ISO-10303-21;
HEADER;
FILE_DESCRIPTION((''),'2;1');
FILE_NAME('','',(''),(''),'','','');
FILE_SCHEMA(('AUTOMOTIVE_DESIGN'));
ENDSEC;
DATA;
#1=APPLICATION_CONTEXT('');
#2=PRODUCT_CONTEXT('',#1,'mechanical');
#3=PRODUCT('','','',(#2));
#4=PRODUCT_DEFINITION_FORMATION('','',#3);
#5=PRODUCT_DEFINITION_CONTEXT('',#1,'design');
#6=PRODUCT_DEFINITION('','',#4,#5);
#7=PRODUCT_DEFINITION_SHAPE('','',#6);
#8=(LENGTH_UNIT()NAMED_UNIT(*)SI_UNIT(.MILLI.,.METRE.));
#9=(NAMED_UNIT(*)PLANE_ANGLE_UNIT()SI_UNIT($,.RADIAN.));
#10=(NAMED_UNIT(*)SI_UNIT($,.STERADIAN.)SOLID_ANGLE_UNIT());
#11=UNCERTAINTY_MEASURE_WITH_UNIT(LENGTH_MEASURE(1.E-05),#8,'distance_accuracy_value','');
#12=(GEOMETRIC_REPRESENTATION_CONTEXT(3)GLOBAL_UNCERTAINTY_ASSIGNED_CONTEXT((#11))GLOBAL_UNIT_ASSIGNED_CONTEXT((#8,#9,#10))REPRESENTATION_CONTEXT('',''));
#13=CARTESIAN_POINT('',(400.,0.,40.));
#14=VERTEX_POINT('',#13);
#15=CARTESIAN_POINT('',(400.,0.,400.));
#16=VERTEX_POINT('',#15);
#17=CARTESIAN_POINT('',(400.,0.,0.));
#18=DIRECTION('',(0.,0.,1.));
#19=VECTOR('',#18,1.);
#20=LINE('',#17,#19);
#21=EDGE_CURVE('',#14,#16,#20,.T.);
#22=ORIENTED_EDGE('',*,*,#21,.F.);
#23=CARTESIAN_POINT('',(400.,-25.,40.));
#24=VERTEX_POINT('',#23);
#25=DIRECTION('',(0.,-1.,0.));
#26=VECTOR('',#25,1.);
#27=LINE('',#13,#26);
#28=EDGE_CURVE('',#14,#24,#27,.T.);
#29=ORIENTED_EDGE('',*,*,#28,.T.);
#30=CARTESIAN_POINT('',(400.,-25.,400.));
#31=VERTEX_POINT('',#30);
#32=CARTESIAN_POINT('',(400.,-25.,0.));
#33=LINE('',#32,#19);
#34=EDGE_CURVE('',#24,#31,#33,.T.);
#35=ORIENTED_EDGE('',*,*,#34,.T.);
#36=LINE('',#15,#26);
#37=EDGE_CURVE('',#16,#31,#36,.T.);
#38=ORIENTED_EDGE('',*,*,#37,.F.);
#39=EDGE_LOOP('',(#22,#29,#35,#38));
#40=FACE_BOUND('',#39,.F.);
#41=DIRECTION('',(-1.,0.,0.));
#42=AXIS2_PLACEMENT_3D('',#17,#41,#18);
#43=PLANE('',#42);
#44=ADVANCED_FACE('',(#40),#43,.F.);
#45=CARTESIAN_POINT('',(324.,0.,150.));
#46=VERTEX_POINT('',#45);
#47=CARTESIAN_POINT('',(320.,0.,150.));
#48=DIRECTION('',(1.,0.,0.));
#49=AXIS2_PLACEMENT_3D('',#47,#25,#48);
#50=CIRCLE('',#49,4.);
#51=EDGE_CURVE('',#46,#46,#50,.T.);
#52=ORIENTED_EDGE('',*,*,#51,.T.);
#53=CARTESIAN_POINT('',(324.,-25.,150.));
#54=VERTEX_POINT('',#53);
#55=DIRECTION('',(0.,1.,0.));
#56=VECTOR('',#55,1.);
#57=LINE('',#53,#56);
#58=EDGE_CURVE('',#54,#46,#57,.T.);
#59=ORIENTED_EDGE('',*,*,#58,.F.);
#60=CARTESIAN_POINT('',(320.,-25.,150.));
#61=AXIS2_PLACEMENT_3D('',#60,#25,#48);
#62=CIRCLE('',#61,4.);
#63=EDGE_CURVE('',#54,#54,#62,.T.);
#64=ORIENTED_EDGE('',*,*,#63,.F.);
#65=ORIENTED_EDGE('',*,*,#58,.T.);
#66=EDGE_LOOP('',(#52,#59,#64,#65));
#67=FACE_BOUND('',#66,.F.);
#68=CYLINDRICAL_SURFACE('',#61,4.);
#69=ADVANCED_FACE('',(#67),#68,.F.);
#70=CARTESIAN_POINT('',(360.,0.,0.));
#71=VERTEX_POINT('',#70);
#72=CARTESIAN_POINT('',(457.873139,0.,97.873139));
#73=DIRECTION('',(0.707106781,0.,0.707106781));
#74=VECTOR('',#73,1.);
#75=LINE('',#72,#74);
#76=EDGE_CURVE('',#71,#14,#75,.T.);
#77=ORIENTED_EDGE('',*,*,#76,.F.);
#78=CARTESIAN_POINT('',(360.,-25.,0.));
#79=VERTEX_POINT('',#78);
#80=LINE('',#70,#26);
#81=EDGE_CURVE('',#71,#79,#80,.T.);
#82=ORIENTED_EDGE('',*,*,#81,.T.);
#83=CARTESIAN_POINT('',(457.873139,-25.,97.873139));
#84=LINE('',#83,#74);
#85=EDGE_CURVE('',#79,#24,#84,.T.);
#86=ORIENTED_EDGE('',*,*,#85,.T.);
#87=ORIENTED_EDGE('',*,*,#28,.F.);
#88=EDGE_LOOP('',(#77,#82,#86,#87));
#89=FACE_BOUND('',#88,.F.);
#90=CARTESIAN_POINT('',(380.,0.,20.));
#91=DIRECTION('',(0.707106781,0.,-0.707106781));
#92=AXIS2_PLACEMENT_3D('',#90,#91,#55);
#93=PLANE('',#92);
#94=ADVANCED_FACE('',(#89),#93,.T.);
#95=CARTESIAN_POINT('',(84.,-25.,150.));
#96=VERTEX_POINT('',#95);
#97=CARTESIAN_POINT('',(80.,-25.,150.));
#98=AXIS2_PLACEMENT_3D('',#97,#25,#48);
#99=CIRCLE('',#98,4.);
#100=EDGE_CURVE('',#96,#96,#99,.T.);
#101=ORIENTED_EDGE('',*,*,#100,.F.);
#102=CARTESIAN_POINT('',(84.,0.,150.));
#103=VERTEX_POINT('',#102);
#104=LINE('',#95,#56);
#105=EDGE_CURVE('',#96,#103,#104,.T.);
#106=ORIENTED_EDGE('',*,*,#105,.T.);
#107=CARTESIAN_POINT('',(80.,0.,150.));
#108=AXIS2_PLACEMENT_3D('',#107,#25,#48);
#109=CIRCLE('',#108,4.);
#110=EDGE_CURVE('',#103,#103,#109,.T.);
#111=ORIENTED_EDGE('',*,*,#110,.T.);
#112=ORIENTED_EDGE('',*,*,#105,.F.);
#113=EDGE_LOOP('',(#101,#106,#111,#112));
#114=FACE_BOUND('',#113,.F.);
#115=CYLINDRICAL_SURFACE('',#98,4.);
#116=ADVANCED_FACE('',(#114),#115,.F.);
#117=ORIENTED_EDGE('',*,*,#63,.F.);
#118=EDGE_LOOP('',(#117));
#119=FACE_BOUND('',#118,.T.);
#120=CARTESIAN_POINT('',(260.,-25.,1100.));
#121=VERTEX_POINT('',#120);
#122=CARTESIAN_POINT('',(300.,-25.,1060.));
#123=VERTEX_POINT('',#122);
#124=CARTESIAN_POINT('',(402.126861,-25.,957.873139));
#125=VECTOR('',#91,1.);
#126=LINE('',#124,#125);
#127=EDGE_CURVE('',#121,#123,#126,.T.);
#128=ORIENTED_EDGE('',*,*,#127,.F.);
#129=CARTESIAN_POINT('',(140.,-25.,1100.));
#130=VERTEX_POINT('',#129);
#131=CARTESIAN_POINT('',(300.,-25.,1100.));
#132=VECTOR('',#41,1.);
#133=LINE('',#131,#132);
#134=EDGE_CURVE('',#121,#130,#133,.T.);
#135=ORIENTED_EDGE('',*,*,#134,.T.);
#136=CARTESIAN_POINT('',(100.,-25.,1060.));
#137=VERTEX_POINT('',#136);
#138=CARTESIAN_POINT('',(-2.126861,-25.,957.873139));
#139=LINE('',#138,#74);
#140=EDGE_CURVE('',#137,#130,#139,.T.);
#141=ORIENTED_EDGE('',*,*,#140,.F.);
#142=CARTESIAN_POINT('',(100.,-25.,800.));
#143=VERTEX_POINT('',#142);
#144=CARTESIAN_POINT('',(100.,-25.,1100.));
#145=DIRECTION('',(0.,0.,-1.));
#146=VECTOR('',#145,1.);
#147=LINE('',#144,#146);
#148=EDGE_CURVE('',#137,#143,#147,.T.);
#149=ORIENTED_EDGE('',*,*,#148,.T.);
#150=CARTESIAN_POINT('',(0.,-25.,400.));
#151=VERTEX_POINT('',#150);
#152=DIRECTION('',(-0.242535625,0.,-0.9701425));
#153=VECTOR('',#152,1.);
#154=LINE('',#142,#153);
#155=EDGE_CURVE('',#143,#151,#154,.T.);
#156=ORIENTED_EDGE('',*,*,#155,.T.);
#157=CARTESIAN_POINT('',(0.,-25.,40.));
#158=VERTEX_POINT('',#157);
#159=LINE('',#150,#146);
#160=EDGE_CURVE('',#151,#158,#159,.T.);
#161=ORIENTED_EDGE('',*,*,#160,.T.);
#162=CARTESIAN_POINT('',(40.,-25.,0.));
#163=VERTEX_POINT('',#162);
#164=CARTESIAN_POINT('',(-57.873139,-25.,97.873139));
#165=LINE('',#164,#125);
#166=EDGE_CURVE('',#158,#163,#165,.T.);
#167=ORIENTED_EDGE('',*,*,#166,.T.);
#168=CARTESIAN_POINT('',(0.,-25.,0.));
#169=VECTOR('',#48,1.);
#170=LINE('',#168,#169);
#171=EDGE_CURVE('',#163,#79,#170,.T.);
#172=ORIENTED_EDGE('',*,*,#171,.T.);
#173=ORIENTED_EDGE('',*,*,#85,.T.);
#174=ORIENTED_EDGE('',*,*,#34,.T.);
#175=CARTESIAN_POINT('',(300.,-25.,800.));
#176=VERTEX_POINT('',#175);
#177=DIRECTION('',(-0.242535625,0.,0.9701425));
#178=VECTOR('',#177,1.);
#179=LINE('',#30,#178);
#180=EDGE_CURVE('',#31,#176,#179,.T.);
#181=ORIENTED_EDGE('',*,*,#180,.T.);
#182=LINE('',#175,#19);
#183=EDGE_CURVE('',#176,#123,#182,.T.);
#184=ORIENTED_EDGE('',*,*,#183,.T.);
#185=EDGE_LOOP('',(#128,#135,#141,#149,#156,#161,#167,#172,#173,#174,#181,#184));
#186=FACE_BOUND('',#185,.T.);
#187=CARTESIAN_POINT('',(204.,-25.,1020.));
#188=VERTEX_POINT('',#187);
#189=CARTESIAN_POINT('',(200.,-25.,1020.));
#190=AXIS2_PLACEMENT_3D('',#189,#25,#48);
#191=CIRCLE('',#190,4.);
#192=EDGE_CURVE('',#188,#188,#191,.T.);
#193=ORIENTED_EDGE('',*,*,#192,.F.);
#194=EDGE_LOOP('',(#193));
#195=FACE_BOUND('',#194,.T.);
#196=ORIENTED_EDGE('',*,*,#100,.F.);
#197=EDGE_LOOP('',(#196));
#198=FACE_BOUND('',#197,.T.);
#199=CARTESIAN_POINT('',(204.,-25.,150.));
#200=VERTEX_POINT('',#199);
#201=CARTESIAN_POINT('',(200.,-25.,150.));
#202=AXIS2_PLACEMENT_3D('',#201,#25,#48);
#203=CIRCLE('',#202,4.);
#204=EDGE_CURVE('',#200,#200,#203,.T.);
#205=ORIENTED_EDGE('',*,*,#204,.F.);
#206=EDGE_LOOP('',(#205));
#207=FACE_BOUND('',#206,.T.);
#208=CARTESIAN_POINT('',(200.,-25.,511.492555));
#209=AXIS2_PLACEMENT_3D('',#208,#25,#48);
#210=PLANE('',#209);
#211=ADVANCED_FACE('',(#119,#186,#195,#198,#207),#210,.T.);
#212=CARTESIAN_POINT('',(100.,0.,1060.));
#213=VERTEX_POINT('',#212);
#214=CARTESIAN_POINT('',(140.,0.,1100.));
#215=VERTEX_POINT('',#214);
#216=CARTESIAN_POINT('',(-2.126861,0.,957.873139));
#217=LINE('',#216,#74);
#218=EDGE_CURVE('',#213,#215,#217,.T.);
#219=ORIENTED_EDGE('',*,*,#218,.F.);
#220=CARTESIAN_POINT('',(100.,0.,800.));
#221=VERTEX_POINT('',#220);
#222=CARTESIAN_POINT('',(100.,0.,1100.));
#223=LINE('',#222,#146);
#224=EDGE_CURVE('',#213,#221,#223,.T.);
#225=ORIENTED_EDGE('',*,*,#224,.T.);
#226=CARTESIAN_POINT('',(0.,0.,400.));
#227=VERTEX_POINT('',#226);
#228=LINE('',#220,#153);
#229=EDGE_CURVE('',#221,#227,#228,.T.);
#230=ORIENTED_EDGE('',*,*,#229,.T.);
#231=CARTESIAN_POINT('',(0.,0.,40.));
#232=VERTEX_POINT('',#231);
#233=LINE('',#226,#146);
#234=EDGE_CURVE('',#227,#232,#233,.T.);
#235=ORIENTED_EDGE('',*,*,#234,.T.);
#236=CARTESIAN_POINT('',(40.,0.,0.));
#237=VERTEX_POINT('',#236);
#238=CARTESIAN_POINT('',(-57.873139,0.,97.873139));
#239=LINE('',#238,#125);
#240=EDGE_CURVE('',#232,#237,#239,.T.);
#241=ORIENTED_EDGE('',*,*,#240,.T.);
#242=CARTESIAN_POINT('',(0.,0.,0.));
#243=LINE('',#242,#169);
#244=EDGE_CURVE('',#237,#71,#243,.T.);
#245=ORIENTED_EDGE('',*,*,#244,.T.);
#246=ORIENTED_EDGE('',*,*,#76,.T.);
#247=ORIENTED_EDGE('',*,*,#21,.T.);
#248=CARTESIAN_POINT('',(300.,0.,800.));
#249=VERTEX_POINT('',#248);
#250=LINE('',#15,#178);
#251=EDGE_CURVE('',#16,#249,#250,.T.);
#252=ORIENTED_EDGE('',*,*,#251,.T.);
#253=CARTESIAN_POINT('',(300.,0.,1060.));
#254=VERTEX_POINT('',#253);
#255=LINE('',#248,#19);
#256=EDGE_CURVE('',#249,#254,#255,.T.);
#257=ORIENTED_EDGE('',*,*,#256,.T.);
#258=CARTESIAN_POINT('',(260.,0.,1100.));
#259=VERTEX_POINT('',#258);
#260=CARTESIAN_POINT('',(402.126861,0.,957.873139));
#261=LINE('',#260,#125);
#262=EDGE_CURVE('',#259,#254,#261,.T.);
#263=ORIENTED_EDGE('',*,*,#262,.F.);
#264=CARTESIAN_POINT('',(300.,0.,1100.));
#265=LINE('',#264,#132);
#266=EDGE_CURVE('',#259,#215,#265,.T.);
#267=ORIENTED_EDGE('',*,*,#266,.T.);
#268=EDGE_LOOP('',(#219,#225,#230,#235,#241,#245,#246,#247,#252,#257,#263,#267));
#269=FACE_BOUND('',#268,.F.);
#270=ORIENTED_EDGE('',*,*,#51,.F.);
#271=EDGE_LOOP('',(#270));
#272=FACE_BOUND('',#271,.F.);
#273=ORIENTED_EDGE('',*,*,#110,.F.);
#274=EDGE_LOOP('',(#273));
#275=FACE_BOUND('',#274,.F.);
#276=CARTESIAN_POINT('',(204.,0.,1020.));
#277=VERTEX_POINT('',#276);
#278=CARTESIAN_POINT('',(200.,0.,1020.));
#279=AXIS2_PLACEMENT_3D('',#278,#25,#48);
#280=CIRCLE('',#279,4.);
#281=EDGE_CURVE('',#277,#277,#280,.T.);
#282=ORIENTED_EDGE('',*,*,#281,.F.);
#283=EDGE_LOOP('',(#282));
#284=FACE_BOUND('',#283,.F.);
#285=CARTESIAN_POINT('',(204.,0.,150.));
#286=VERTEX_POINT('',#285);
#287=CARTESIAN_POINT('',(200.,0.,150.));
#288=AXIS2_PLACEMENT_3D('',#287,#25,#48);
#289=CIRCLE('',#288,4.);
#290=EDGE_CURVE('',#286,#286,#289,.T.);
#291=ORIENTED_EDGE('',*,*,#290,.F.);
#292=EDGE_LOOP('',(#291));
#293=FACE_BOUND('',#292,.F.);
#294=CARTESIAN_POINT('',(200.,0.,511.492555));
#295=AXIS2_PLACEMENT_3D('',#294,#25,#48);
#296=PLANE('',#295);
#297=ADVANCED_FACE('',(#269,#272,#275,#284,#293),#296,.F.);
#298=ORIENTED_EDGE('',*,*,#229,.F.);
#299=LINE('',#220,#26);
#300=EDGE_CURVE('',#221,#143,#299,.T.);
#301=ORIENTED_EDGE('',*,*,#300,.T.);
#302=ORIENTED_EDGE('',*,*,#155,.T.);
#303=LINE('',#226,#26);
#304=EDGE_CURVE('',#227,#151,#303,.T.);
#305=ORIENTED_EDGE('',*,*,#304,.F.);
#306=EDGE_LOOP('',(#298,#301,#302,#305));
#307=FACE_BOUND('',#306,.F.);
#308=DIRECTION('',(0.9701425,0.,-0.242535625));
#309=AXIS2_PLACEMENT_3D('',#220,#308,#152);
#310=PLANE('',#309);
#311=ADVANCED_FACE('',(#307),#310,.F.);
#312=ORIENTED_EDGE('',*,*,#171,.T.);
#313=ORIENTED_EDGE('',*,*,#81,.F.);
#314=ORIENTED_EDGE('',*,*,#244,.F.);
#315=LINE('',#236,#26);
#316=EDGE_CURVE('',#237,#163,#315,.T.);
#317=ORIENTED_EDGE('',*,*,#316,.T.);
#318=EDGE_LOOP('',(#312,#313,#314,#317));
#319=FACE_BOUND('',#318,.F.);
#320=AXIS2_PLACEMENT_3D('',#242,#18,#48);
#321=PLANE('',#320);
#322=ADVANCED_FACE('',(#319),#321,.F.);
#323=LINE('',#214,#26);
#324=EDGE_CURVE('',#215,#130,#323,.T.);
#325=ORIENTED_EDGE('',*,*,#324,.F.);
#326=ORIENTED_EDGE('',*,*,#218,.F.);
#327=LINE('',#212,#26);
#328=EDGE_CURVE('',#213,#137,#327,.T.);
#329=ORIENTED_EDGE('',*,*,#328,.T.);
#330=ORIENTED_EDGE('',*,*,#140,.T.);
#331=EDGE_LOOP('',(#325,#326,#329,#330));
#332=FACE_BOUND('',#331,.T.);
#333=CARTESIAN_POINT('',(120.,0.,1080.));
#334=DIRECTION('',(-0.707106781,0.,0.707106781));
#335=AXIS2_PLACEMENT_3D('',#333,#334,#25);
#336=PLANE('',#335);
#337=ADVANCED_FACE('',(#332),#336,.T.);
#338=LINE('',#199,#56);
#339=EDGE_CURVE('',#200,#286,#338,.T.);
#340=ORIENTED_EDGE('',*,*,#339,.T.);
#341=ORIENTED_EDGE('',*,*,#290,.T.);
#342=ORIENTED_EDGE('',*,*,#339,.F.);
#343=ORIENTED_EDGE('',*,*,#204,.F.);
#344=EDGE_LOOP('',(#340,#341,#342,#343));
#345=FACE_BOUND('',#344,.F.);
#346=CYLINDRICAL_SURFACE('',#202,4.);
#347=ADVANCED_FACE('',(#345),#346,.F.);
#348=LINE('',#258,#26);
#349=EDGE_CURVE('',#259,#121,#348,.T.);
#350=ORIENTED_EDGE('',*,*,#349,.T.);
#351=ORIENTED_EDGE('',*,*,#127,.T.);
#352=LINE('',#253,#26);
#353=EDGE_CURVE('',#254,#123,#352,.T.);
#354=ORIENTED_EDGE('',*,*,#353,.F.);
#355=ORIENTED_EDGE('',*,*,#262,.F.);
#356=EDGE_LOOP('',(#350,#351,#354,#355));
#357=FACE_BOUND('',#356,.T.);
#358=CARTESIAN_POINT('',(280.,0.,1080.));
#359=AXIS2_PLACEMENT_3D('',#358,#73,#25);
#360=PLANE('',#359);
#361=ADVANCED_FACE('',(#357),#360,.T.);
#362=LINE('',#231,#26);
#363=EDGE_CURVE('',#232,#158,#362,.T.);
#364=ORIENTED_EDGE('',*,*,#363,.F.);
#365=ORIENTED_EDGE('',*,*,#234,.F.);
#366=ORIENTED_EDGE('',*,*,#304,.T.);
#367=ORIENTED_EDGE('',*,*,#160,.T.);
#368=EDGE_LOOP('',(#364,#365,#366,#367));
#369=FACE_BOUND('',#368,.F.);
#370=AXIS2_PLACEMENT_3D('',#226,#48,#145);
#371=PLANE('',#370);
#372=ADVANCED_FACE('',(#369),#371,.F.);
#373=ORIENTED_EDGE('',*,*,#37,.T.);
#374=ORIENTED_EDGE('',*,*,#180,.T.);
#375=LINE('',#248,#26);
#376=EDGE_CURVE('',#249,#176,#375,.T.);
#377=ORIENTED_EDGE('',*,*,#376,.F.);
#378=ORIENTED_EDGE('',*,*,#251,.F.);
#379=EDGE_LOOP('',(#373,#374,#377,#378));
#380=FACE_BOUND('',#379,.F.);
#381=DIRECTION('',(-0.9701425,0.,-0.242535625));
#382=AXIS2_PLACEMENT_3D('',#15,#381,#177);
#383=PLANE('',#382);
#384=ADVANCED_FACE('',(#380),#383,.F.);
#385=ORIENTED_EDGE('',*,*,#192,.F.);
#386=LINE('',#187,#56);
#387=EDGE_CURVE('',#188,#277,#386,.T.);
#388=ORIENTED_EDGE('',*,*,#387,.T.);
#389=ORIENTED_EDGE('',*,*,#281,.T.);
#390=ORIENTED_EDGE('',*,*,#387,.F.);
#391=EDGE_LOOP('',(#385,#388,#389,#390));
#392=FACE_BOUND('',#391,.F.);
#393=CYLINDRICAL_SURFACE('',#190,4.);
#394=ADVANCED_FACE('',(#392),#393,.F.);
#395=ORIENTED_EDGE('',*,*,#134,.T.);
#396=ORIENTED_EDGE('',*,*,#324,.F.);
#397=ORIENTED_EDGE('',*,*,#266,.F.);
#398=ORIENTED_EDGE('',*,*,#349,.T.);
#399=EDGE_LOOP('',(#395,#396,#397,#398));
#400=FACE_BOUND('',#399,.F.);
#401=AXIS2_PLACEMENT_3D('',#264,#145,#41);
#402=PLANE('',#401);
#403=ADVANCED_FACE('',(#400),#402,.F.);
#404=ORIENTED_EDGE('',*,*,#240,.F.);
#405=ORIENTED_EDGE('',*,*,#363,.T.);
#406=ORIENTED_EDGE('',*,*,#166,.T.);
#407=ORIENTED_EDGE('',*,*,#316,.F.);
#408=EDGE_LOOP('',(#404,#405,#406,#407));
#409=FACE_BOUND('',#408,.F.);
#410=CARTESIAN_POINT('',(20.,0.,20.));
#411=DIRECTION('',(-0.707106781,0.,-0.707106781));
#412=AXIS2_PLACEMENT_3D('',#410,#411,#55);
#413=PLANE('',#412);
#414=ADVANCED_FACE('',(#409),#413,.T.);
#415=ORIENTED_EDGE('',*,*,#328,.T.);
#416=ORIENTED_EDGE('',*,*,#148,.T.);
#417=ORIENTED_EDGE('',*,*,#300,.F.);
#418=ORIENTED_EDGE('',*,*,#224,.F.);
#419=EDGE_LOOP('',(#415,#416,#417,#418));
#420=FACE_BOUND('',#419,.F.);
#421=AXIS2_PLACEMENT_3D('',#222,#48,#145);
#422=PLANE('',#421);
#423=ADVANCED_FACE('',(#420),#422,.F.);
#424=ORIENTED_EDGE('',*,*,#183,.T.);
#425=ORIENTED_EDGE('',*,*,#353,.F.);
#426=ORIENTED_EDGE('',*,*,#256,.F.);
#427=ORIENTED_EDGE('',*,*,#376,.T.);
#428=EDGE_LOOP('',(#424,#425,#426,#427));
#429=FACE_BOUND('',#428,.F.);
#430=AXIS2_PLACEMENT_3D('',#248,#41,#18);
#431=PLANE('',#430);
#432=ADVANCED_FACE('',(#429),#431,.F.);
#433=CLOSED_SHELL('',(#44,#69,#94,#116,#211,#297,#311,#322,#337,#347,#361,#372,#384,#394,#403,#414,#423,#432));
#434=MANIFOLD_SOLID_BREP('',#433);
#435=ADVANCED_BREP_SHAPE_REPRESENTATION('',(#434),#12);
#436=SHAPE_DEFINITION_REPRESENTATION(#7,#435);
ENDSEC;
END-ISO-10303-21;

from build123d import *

# Parameters (mm, degrees)
F1_DEPTH = 25
F2_R     = 4
F3_DEPTH = 25
F4_SIZE  = 40
F5_DEPTH = 25


with BuildPart() as f1:
    # F0 (on Front) → F1 (new body)
    with BuildSketch(Plane.XZ):
        Polygon((0, 400), (0, 0), (400, 0), (400, 400), (300, 800), (300, 1100), (100, 1100), (100, 800), align=None)
    extrude(amount=F1_DEPTH)

    # F2 (on face) → F3 (cut, through all)
    with BuildSketch(Plane.XZ.offset(25)):
        with Locations((80, 150)):
            Circle(F2_R)
        with Locations((320, 150)):
            Circle(F2_R)
        with Locations((200, 1020)):
            Circle(F2_R)
    extrude(amount=-F3_DEPTH, mode=Mode.SUBTRACT)

    # F4
    f4_edges = [f1.edges().sort_by_distance(p)[0] for p in [
        (400, -12.5, 0),
        (0, -12.5, 0),
        (300, -12.5, 1100),
        (100, -12.5, 1100),
    ]]
    chamfer(f4_edges, length=F4_SIZE)

    # F2 (on face) → F5 (cut)
    with BuildSketch(Plane.XZ.offset(25)):
        with Locations((200, 150)):
            Circle(F2_R)
    extrude(amount=-F5_DEPTH, mode=Mode.SUBTRACT)


solid = f1.part
